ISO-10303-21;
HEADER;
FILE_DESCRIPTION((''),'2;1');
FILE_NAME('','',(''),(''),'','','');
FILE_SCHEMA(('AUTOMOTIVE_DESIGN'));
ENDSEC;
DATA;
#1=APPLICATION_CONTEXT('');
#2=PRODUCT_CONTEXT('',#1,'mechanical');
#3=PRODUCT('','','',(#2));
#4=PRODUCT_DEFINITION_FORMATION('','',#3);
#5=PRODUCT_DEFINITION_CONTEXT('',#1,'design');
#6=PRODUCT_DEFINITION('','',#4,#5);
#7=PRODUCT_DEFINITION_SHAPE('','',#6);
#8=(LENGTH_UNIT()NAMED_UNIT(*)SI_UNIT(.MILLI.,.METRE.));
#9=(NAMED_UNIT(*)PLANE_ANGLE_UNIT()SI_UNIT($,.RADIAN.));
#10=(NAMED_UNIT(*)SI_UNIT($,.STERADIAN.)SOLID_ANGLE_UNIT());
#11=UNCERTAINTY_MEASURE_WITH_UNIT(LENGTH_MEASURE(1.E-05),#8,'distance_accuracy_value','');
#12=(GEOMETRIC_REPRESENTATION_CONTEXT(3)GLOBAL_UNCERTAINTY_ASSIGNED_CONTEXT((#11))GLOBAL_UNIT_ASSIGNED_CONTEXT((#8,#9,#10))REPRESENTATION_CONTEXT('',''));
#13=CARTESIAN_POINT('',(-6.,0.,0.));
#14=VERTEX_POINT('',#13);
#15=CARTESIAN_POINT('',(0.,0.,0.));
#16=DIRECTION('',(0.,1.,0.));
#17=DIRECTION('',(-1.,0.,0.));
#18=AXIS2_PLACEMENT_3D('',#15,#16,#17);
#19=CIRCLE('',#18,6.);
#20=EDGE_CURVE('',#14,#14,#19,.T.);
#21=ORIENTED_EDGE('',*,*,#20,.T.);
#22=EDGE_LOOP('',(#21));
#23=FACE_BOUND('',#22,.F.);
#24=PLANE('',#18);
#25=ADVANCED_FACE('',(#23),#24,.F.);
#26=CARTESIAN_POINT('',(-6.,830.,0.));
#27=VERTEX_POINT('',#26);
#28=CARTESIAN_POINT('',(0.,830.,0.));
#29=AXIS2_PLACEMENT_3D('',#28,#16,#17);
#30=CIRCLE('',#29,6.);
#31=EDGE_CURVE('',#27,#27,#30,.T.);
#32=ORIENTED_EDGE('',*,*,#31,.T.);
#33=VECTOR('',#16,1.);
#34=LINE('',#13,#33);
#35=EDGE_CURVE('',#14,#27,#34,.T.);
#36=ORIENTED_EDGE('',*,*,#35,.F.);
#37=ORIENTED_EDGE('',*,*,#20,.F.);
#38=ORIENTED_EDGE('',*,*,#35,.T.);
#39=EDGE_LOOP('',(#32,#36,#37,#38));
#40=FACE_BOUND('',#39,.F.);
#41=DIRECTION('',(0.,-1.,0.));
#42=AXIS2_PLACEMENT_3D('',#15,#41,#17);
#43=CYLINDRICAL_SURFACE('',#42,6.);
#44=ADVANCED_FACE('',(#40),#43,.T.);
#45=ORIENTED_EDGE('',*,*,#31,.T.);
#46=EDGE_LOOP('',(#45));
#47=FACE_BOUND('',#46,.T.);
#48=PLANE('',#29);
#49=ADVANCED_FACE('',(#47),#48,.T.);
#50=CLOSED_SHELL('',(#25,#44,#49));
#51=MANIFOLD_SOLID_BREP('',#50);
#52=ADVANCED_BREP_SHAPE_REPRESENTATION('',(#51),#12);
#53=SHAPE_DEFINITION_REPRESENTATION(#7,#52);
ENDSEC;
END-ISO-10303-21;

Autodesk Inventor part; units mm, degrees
ref_plane "YZ Plane" through (0, 0, 0) normal (1, 0, 0) x (0, 1, 0)
ref_plane "XZ Plane" through (0, 0, 0) normal (0, 1, 0) x (-1, 0, 0)
ref_plane "XY Plane" through (0, 0, 0) normal (0, 0, 1) x (1, 0, 0)
sketch "Sketch1" plane through (0, 0, 0) normal (0, 1, 0) x (-1, 0, 0)
  circle A0 centre (0, 0) radius 6
  dimension "d0" = 12
extrude "Extrusion1" add sketch "Sketch1" along normal blind 830
properties part number "12mmSmoothRod_CPY"
